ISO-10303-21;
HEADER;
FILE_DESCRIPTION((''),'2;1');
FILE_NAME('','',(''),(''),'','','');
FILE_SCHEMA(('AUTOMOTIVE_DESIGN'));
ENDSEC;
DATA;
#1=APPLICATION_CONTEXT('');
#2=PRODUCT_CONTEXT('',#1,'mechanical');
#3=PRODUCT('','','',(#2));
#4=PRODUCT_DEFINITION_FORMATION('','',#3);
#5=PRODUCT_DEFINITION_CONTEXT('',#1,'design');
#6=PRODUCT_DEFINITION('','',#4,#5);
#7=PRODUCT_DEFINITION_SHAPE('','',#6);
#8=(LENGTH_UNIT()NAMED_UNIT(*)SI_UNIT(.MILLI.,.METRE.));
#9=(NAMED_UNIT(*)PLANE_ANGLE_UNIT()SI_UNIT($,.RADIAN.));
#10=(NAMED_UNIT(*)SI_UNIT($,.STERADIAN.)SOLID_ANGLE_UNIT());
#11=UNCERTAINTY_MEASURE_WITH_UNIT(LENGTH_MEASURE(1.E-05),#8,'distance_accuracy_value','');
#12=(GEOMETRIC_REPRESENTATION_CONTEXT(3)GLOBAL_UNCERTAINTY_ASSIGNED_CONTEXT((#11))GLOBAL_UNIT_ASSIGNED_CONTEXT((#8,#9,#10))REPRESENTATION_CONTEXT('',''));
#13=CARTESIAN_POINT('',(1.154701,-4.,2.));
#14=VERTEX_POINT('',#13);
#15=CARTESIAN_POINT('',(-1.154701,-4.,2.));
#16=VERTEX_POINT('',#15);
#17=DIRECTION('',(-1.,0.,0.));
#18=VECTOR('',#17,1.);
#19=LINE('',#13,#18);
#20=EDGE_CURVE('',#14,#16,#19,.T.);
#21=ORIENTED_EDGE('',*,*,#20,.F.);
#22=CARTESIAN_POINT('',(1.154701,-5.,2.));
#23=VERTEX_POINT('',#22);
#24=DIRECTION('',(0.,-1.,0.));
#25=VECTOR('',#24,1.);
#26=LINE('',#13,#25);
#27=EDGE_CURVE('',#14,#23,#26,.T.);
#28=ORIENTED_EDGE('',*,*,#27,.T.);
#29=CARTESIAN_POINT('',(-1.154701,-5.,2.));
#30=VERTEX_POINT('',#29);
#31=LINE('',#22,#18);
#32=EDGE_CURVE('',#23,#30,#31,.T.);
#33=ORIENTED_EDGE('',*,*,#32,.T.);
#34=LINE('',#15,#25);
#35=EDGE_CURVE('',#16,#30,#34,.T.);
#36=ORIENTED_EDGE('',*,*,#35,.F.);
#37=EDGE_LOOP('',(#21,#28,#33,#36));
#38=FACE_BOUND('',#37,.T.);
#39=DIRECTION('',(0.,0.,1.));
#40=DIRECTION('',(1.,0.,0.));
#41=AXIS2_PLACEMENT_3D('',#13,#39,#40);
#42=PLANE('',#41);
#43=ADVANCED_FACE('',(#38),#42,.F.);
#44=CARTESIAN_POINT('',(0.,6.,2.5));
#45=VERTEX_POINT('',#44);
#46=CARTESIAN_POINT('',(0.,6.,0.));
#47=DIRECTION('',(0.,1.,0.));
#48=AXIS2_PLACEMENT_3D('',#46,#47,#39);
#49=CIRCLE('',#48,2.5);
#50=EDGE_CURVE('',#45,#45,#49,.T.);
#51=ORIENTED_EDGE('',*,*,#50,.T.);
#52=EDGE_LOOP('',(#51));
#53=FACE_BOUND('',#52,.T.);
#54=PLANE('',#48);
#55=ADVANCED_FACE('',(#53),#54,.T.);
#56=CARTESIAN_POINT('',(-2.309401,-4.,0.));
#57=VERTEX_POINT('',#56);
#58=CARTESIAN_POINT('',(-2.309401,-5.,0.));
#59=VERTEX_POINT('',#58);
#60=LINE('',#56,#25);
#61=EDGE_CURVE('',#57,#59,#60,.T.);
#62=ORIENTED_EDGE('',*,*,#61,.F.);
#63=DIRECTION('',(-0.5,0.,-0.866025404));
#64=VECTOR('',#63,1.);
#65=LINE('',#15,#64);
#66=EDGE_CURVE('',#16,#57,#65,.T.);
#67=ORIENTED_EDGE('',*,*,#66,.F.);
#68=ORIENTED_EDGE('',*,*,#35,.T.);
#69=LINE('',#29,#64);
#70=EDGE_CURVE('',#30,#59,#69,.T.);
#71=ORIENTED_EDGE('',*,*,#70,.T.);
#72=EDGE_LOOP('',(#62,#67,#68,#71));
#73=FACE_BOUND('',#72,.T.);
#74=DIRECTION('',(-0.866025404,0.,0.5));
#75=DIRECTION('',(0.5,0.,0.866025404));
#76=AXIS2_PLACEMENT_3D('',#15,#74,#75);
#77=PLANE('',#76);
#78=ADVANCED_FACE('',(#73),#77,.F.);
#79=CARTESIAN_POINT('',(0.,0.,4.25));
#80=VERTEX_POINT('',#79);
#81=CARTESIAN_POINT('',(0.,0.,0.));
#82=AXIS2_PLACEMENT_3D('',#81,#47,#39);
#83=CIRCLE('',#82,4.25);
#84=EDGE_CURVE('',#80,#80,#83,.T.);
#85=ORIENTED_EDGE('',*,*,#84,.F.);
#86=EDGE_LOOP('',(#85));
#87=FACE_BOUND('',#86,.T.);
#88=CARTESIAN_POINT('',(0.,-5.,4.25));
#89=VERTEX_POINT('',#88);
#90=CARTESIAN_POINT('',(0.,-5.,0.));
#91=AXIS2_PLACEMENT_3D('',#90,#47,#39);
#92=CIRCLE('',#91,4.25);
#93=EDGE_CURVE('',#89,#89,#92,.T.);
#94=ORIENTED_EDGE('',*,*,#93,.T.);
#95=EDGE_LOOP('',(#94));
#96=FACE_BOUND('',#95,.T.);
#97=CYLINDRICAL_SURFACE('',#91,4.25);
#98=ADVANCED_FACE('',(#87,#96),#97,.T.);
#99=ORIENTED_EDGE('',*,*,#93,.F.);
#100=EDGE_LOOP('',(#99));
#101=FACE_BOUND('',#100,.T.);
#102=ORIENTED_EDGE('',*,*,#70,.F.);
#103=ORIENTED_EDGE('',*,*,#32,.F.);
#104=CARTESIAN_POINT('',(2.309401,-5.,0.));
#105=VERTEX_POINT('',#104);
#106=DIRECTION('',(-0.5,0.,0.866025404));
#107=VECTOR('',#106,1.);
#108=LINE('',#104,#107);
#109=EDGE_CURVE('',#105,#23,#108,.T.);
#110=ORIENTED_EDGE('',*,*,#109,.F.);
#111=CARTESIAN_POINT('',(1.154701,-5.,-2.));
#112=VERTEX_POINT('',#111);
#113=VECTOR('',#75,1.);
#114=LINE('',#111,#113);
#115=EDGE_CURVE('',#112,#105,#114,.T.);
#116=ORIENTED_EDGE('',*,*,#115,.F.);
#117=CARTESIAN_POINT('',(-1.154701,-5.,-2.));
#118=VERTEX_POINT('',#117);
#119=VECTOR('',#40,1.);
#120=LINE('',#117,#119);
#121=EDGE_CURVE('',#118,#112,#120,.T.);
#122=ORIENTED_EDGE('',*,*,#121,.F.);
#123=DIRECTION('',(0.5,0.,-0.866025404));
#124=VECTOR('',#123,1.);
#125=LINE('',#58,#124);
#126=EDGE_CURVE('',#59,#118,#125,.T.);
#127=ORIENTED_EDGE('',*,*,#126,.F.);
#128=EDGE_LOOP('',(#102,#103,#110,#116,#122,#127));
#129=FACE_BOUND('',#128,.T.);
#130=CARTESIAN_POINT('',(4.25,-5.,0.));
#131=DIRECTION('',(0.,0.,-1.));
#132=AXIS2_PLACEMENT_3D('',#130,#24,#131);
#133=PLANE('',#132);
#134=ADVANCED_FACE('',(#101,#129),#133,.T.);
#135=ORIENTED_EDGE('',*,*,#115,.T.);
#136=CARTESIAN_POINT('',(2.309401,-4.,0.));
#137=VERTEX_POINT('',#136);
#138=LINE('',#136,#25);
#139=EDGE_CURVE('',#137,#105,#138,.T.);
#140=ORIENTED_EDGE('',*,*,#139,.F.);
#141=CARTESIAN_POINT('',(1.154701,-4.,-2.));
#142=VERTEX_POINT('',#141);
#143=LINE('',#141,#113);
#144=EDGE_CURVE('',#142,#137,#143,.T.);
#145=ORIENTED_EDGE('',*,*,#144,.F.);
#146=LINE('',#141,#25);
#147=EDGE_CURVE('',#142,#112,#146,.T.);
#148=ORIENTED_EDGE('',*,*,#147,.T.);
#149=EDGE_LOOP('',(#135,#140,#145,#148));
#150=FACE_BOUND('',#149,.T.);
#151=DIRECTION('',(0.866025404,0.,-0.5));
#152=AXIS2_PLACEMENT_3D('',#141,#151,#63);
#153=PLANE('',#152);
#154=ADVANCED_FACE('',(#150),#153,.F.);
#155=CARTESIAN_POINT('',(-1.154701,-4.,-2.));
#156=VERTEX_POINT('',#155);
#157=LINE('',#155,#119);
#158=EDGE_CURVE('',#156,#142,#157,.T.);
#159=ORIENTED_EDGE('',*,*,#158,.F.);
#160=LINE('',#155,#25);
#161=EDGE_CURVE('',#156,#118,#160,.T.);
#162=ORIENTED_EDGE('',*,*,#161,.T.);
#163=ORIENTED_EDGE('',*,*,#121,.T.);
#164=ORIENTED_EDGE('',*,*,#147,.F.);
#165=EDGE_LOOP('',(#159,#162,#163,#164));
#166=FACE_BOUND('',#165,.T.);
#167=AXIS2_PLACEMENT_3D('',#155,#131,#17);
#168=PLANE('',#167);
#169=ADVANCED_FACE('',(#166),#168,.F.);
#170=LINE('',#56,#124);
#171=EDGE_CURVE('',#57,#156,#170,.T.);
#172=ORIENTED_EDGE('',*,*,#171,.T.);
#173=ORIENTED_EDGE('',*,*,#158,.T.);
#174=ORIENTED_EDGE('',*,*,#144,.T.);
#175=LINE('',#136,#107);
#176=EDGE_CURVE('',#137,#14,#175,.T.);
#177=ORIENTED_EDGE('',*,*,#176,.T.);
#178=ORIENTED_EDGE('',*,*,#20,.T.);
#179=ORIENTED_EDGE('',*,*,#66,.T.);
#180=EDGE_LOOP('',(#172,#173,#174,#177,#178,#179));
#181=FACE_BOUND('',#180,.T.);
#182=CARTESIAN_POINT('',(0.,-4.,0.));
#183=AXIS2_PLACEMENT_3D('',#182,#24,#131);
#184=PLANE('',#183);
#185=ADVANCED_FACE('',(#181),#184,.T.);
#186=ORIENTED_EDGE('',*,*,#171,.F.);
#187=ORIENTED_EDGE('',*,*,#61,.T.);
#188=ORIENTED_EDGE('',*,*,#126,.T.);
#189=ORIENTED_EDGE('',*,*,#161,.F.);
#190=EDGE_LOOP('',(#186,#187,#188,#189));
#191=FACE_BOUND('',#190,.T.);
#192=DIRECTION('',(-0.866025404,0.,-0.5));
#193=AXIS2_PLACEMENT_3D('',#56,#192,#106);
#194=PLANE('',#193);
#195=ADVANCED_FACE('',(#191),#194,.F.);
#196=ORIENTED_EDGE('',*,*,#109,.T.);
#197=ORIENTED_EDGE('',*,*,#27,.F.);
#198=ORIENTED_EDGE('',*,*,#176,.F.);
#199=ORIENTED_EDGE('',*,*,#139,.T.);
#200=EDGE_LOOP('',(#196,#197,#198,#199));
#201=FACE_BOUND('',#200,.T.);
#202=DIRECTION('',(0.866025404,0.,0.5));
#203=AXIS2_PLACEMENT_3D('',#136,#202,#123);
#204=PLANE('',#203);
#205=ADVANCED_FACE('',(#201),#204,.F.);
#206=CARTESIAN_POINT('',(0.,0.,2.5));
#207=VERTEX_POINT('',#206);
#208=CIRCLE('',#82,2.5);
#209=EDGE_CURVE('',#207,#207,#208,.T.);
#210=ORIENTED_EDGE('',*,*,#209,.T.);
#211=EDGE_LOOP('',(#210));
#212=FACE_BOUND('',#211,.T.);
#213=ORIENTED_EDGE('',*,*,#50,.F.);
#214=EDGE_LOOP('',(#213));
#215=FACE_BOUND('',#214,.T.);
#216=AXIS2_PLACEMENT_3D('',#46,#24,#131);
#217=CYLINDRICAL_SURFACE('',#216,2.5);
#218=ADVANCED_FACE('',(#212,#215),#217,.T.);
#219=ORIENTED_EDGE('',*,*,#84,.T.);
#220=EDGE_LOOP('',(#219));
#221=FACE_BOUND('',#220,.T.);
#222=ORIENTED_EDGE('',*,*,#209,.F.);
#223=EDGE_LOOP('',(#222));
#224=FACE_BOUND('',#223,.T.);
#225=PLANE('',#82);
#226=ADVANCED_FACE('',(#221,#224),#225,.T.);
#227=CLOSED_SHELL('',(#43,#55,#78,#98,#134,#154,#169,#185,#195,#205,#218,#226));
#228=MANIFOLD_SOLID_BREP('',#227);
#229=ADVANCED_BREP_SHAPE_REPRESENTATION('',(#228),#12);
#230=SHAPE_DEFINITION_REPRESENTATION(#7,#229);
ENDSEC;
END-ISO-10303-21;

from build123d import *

# Parameters (mm, degrees)
SKETCH_2_W          = 4.25
SKETCH_2_H          = 5
SKETCH_3_R          = 2.5
EXTRUDE_1_DEPTH     = 6
CUT_EXTRUDE_1_DEPTH = 1


with BuildPart() as part:
    # 草图2 → 旋转1 (revolve)
    with BuildSketch(Plane(origin=(0, 0, 0), x_dir=(-1, 0, 0), z_dir=(0, 0, -1)), mode=Mode.PRIVATE) as revolve_1_sk:
        with Locations((-2.125, -2.5)):
            Rectangle(SKETCH_2_W, SKETCH_2_H)
    revolve(revolve_1_sk.sketch.rotate(Axis((0, -5, 0), (0, 1, 0)), 270), axis=Axis((0, -5, 0), (0, 1, 0)))

    # 草图3 → 凸台-拉伸1 (add)
    with BuildSketch(Plane(origin=(0, 0, 0), x_dir=(-1, 0, 0), z_dir=(0, 1, 0))):
        with Locations(Location((0, 0, 0), (0, 0, 90))):
            Circle(SKETCH_3_R)
    extrude(amount=EXTRUDE_1_DEPTH)

    # 草图4 → 切除-拉伸1 (cut)
    with BuildSketch(Plane.XZ.offset(5)):
        Polygon((-1.154700538, -2), (1.154700538, -2), (2.309401077, 0), (1.154700538, 2), (-1.154700538, 2), (-2.309401077, 0), align=None)
    extrude(amount=-CUT_EXTRUDE_1_DEPTH, mode=Mode.SUBTRACT)


solid = part.part
